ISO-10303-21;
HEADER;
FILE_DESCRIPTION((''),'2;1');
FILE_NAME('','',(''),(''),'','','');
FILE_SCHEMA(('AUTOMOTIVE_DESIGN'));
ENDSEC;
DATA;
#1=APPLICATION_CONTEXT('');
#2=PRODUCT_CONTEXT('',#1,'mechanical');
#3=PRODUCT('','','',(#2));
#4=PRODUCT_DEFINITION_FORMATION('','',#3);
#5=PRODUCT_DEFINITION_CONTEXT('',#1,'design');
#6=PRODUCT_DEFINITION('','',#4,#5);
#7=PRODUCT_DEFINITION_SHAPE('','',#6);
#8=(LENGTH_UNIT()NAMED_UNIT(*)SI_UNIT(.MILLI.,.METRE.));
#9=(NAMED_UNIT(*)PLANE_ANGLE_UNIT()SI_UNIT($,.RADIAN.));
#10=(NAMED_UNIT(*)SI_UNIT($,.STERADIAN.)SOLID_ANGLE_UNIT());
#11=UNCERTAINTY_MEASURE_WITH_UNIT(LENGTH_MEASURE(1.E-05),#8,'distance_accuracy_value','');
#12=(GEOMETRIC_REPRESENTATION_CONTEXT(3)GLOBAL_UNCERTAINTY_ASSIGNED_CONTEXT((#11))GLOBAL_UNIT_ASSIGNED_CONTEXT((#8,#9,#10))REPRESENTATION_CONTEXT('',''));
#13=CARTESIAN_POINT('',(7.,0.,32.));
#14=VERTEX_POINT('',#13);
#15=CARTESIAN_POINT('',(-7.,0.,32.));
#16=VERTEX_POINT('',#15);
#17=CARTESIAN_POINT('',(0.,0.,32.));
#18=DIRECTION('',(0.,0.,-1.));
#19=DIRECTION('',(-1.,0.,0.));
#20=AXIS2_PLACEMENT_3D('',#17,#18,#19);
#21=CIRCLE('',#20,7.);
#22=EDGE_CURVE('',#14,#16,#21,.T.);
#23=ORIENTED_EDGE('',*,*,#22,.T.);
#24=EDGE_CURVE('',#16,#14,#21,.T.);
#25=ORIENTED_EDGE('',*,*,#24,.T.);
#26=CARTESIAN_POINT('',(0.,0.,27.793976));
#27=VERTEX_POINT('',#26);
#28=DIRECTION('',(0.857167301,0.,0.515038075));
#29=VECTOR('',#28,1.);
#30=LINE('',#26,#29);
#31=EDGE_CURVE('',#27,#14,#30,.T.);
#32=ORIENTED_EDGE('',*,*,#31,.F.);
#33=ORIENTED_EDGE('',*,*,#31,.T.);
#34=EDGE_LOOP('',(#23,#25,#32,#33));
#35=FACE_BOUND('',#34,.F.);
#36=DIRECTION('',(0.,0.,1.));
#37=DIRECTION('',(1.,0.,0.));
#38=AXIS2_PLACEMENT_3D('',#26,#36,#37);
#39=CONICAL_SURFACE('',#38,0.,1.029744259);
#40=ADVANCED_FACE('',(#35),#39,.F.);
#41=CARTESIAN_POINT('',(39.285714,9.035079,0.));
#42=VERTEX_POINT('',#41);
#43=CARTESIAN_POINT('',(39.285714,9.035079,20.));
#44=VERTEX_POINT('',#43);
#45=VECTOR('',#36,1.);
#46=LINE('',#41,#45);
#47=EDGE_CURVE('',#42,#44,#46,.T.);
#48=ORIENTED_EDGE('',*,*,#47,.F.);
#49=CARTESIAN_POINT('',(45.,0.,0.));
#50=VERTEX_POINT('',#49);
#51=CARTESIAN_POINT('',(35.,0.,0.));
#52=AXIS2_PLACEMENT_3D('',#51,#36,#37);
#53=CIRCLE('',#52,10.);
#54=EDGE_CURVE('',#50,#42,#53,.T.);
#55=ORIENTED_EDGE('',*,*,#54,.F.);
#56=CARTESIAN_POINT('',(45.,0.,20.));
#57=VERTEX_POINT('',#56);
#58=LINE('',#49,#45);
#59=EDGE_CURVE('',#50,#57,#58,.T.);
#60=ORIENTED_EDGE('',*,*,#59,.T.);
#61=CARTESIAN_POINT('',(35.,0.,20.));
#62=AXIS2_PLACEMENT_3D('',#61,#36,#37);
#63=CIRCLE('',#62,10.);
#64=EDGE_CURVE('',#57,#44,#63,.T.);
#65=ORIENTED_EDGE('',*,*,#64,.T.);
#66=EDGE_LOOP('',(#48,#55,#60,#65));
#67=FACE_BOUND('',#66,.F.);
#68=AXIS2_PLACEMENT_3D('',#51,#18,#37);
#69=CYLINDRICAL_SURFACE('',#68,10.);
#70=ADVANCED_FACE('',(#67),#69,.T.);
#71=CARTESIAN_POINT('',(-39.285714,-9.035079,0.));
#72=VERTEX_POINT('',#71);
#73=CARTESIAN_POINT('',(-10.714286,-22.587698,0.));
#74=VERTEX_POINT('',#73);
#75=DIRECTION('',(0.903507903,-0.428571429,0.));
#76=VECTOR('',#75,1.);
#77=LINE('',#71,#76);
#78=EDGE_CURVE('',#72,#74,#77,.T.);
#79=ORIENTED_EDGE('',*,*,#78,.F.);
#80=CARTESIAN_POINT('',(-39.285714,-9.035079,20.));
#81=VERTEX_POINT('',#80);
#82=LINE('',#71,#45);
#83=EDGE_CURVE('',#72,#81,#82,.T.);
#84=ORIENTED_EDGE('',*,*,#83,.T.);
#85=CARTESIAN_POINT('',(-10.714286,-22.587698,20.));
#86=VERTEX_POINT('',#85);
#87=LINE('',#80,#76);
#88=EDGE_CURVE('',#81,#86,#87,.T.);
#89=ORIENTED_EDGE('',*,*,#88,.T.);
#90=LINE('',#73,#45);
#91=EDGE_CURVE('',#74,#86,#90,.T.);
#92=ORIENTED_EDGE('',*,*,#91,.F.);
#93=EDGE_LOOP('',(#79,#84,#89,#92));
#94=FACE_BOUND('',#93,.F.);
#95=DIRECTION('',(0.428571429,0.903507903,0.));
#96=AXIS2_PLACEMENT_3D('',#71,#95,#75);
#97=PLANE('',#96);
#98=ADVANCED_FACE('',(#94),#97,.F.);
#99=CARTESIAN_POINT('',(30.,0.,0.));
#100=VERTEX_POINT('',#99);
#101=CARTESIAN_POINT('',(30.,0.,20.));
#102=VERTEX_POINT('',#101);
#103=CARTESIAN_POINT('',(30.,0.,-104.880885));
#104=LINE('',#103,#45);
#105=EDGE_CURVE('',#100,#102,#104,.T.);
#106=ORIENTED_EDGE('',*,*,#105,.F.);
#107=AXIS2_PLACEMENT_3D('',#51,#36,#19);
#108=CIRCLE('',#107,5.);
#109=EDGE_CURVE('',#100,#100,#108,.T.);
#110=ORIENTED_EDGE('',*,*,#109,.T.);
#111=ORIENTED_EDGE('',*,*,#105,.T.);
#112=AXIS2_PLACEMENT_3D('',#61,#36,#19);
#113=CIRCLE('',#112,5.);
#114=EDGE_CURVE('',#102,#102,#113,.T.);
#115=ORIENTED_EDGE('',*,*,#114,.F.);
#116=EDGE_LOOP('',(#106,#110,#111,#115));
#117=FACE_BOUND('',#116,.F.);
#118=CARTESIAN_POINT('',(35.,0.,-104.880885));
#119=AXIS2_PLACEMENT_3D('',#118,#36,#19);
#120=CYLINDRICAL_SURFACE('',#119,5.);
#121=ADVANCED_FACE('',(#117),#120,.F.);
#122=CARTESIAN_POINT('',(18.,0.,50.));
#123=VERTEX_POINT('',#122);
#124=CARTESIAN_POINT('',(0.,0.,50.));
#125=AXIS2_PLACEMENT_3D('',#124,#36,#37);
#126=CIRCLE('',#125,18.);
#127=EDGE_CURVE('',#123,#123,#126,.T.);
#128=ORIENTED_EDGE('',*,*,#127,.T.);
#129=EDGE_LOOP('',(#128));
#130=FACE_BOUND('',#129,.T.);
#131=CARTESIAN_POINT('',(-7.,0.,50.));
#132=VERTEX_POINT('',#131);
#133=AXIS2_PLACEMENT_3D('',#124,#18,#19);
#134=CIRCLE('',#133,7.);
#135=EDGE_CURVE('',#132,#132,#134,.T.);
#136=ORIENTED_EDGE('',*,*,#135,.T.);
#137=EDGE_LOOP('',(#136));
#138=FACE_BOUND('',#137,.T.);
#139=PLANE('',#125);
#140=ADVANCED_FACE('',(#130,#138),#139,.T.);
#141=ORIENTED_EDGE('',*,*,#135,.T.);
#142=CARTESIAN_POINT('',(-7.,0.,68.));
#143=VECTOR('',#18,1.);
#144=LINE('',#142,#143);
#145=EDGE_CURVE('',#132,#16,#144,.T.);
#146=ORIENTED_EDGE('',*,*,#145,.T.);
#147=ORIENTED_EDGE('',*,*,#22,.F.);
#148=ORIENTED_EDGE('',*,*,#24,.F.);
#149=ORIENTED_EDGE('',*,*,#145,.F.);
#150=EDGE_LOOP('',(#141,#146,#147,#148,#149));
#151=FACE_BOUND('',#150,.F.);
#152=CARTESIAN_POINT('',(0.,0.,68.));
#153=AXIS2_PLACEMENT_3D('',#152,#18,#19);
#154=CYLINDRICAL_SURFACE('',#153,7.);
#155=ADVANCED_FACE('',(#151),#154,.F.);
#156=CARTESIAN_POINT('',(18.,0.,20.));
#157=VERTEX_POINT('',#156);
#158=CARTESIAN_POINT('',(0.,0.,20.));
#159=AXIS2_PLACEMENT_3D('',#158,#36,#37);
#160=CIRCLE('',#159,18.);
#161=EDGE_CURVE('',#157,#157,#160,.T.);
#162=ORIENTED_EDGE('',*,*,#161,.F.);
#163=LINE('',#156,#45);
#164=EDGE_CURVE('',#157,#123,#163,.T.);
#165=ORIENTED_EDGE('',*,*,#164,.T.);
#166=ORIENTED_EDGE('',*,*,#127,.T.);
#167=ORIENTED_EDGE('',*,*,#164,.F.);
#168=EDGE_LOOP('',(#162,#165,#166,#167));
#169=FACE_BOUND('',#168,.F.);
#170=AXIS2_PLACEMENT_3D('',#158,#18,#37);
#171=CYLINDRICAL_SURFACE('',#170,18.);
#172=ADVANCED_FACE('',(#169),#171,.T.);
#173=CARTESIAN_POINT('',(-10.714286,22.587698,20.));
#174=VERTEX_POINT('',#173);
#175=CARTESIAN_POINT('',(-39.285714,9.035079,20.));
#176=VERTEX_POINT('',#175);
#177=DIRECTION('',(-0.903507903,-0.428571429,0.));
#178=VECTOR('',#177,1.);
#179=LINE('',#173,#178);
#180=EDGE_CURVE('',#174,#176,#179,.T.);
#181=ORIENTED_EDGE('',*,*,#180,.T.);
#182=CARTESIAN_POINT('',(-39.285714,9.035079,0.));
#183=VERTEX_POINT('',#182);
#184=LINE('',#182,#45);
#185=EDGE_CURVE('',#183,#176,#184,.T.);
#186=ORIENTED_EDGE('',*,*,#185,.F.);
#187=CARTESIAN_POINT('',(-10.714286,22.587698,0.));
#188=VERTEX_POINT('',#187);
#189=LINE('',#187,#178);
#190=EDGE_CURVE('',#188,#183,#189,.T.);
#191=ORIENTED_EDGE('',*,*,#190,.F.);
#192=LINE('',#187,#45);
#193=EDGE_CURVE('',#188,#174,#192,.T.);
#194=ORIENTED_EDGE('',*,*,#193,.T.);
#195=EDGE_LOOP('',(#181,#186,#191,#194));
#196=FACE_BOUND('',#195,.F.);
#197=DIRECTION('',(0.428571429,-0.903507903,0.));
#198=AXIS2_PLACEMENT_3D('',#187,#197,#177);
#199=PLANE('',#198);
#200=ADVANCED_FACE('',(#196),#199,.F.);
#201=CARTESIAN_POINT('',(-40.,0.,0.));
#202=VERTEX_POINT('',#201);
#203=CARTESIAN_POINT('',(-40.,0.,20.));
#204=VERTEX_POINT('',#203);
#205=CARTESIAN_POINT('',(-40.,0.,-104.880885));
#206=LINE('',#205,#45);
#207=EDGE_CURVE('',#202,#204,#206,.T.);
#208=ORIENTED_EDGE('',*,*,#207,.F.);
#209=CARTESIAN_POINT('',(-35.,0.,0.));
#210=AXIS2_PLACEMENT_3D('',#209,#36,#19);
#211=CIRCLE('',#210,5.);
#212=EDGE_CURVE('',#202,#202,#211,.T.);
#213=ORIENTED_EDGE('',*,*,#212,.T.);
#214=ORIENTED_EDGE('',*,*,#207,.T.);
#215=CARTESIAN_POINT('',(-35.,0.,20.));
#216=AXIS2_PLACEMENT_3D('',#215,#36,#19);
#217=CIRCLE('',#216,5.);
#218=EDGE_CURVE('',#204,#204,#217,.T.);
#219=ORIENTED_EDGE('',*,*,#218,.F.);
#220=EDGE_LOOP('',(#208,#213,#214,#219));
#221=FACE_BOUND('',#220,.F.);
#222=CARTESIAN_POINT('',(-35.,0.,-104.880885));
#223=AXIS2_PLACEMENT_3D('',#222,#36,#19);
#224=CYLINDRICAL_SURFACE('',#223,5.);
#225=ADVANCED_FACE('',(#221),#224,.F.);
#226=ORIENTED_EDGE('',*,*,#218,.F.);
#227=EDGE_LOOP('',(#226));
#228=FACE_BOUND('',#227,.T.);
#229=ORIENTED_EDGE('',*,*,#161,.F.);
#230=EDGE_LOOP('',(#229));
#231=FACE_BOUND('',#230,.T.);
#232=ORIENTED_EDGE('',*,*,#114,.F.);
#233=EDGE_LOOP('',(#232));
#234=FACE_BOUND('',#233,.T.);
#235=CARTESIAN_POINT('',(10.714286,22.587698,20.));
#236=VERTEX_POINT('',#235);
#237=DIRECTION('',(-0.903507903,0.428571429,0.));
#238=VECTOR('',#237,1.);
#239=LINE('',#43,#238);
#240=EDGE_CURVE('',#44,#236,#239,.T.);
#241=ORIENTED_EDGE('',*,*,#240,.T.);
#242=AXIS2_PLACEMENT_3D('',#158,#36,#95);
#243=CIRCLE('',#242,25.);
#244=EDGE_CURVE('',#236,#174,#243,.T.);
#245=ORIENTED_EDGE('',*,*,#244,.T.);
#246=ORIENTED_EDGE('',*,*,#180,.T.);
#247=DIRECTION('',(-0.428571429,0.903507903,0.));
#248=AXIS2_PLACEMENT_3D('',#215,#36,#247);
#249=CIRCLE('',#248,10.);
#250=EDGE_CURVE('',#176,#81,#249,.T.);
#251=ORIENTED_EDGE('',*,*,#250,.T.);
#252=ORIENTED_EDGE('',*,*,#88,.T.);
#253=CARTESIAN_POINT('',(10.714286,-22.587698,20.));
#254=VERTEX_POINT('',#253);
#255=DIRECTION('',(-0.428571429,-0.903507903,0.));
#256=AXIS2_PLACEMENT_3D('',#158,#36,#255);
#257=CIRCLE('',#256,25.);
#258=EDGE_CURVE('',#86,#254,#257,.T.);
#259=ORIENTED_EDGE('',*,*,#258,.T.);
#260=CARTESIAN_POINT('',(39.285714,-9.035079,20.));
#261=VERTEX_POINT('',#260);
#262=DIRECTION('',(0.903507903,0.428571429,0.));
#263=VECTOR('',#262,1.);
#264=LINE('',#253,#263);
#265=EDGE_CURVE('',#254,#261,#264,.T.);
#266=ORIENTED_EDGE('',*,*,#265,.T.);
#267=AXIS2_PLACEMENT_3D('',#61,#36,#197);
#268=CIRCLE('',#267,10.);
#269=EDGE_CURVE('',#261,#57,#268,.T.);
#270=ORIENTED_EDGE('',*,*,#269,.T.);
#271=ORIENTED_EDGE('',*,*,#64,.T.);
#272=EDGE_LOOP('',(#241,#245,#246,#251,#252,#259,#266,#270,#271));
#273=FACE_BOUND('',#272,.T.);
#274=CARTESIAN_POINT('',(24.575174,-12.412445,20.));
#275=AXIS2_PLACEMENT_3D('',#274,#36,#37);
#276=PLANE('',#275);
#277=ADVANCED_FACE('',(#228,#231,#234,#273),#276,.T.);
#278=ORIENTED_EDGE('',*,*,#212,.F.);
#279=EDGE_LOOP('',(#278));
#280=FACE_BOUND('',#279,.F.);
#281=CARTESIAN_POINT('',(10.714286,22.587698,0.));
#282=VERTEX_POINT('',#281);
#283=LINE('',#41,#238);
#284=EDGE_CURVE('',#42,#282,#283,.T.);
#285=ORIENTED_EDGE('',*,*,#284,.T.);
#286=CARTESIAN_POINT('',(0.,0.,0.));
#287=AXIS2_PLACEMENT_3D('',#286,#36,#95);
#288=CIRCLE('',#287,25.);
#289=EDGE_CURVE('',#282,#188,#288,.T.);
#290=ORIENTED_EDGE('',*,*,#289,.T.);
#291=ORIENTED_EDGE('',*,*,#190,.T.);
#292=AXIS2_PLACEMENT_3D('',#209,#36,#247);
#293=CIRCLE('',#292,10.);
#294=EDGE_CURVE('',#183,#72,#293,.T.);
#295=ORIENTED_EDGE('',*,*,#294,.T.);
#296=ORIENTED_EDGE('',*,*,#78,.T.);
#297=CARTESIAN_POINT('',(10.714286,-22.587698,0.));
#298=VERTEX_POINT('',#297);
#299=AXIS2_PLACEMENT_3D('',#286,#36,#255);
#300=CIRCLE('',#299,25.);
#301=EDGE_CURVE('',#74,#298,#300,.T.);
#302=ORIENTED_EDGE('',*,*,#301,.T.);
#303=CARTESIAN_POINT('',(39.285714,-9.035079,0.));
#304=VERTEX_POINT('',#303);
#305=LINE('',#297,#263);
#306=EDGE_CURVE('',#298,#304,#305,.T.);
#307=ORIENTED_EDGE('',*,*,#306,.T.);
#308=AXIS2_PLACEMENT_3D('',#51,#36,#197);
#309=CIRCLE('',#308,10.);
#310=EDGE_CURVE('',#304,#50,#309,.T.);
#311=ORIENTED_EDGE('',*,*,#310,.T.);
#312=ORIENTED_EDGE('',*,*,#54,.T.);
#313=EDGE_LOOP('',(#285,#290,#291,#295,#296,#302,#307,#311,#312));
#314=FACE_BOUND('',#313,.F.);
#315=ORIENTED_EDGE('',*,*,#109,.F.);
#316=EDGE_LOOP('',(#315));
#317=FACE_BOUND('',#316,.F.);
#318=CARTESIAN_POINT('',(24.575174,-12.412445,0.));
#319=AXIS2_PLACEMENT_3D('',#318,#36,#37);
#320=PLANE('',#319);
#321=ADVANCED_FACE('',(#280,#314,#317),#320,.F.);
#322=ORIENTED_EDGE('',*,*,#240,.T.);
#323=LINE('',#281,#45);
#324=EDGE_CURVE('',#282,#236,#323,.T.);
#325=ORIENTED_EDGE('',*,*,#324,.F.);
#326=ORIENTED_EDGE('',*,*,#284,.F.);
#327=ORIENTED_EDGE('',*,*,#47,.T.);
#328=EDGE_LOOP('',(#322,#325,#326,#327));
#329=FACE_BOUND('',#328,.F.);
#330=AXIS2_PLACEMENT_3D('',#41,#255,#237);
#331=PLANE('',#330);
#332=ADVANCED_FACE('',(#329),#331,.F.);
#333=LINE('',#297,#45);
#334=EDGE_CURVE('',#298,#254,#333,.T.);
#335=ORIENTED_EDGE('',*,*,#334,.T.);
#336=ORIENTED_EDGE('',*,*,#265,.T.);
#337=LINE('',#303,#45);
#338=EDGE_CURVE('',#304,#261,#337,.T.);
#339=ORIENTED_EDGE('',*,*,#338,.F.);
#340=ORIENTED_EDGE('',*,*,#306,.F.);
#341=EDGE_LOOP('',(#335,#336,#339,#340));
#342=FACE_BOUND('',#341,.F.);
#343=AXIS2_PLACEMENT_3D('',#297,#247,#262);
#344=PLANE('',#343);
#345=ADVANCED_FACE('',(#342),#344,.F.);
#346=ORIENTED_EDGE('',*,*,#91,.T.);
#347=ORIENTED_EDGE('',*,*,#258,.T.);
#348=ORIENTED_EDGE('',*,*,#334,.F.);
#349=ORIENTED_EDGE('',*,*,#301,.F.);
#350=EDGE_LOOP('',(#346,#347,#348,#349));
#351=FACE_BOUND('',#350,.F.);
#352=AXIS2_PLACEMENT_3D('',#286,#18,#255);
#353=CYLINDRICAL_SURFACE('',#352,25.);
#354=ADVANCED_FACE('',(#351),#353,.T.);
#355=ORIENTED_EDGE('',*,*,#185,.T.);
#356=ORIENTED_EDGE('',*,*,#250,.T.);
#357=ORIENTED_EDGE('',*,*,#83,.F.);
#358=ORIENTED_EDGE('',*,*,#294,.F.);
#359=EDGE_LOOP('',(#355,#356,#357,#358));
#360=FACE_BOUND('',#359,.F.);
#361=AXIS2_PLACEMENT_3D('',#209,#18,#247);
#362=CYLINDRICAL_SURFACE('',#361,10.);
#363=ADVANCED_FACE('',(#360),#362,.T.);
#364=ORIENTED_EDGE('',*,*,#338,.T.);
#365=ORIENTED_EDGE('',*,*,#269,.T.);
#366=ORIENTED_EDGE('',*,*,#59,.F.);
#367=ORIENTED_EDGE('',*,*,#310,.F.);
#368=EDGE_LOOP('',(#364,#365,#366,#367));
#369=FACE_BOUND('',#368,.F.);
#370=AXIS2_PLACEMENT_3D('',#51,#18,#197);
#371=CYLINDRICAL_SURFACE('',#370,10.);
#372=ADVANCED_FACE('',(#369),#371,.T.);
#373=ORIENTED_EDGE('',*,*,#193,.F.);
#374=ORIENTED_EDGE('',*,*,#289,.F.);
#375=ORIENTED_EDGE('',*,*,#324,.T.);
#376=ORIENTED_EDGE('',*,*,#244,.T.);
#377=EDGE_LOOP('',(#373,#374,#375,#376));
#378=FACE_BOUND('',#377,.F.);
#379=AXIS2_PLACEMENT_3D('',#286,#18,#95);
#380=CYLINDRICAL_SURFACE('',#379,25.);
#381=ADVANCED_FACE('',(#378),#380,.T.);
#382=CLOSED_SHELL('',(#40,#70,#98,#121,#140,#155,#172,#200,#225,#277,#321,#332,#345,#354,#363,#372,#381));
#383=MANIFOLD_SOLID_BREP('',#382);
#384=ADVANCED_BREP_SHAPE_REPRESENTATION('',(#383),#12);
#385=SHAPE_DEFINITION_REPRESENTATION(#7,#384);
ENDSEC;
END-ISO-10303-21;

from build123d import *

# Parameters (mm, degrees)
F1_DEPTH = 20
F3_D     = 10
F4_R     = 18
F5_DEPTH = 30
F7_D     = 14
F7_DEPTH = 18
F7_TIP   = 4.2060243332


with BuildPart() as f1:
    # F0 (on Top) → F1 (new body)
    with BuildSketch(Plane.XY):
        with BuildLine():
            ThreePointArc((39.2857142857, -9.0350790291), (29.6547751618, -8.4515425473), (25, 0))
            ThreePointArc((25, 0), (21.1288563682, -13.3630620956), (10.7142857143, -22.5876975726))
            Line((10.7142857143, -22.5876975726), (39.2857142857, -9.0350790291))
        make_face()
        with BuildLine():
            ThreePointArc((10.7142857143, 22.5876975726), (21.1288563682, 13.3630620956), (25, 0))
            ThreePointArc((25, 0), (29.6547751618, 8.4515425473), (39.2857142857, 9.0350790291))
            Line((39.2857142857, 9.0350790291), (10.7142857143, 22.5876975726))
        make_face()
        with BuildLine():
            ThreePointArc((-25, 0), (-21.1288563682, 13.3630620956), (-10.7142857143, 22.5876975726))
            Line((-10.7142857143, 22.5876975726), (-39.2857142857, 9.0350790291))
            ThreePointArc((-39.2857142857, 9.0350790291), (-29.6547751618, 8.4515425473), (-25, 0))
        make_face()
        with BuildLine():
            Line((-39.2857142857, -9.0350790291), (-10.7142857143, -22.5876975726))
            ThreePointArc((-10.7142857143, -22.5876975726), (-21.1288563682, -13.3630620956), (-25, 0))
            ThreePointArc((-25, 0), (-29.6547751618, -8.4515425473), (-39.2857142857, -9.0350790291))
        make_face()
        with BuildLine():
            ThreePointArc((-39.2857142857, -9.0350790291), (-29.6547751618, -8.4515425473), (-25, 0))
            ThreePointArc((-25, 0), (-29.6547751618, 8.4515425473), (-39.2857142857, 9.0350790291))
            ThreePointArc((-39.2857142857, 9.0350790291), (-45, 0), (-39.2857142857, -9.0350790291))
        make_face()
        with BuildLine():
            ThreePointArc((39.2857142857, 9.0350790291), (29.6547751618, 8.4515425473), (25, 0))
            ThreePointArc((25, 0), (29.6547751618, -8.4515425473), (39.2857142857, -9.0350790291))
            ThreePointArc((39.2857142857, -9.0350790291), (43.4515425473, -5.3452248382), (45, 0))
            ThreePointArc((45, 0), (43.4515425473, 5.3452248382), (39.2857142857, 9.0350790291))
        make_face()
        with BuildLine():
            ThreePointArc((10.7142857143, -22.5876975726), (21.1288563682, -13.3630620956), (25, 0))
            ThreePointArc((25, 0), (21.1288563682, 13.3630620956), (10.7142857143, 22.5876975726))
            ThreePointArc((10.7142857143, 22.5876975726), (0, 25), (-10.7142857143, 22.5876975726))
            ThreePointArc((-10.7142857143, 22.5876975726), (-21.1288563682, 13.3630620956), (-25, 0))
            ThreePointArc((-25, 0), (-21.1288563682, -13.3630620956), (-10.7142857143, -22.5876975726))
            ThreePointArc((-10.7142857143, -22.5876975726), (0, -25), (10.7142857143, -22.5876975726))
        make_face()
    extrude(amount=F1_DEPTH)

    # F3 (through all)
    with Locations(Plane(origin=(0, 0, 0), x_dir=(1, 0, 0), z_dir=(0, 0, -1))):
        with Locations((-35, 0), (35, 0)):
            Hole(F3_D / 2)

    # F4 (on face) → F5 (join)
    with BuildSketch(Plane.XY.offset(20)):
        Circle(F4_R)
    extrude(amount=F5_DEPTH)

    # F7
    with Locations(Plane.XY.offset(50)):
        with Locations((0, 0)):
            Hole(F7_D / 2, depth=F7_DEPTH)
            with Locations((0, 0, -(F7_DEPTH + F7_TIP / 2))):  # 118° drill point
                Cone(0, F7_D / 2, F7_TIP, mode=Mode.SUBTRACT)


solid = f1.part
